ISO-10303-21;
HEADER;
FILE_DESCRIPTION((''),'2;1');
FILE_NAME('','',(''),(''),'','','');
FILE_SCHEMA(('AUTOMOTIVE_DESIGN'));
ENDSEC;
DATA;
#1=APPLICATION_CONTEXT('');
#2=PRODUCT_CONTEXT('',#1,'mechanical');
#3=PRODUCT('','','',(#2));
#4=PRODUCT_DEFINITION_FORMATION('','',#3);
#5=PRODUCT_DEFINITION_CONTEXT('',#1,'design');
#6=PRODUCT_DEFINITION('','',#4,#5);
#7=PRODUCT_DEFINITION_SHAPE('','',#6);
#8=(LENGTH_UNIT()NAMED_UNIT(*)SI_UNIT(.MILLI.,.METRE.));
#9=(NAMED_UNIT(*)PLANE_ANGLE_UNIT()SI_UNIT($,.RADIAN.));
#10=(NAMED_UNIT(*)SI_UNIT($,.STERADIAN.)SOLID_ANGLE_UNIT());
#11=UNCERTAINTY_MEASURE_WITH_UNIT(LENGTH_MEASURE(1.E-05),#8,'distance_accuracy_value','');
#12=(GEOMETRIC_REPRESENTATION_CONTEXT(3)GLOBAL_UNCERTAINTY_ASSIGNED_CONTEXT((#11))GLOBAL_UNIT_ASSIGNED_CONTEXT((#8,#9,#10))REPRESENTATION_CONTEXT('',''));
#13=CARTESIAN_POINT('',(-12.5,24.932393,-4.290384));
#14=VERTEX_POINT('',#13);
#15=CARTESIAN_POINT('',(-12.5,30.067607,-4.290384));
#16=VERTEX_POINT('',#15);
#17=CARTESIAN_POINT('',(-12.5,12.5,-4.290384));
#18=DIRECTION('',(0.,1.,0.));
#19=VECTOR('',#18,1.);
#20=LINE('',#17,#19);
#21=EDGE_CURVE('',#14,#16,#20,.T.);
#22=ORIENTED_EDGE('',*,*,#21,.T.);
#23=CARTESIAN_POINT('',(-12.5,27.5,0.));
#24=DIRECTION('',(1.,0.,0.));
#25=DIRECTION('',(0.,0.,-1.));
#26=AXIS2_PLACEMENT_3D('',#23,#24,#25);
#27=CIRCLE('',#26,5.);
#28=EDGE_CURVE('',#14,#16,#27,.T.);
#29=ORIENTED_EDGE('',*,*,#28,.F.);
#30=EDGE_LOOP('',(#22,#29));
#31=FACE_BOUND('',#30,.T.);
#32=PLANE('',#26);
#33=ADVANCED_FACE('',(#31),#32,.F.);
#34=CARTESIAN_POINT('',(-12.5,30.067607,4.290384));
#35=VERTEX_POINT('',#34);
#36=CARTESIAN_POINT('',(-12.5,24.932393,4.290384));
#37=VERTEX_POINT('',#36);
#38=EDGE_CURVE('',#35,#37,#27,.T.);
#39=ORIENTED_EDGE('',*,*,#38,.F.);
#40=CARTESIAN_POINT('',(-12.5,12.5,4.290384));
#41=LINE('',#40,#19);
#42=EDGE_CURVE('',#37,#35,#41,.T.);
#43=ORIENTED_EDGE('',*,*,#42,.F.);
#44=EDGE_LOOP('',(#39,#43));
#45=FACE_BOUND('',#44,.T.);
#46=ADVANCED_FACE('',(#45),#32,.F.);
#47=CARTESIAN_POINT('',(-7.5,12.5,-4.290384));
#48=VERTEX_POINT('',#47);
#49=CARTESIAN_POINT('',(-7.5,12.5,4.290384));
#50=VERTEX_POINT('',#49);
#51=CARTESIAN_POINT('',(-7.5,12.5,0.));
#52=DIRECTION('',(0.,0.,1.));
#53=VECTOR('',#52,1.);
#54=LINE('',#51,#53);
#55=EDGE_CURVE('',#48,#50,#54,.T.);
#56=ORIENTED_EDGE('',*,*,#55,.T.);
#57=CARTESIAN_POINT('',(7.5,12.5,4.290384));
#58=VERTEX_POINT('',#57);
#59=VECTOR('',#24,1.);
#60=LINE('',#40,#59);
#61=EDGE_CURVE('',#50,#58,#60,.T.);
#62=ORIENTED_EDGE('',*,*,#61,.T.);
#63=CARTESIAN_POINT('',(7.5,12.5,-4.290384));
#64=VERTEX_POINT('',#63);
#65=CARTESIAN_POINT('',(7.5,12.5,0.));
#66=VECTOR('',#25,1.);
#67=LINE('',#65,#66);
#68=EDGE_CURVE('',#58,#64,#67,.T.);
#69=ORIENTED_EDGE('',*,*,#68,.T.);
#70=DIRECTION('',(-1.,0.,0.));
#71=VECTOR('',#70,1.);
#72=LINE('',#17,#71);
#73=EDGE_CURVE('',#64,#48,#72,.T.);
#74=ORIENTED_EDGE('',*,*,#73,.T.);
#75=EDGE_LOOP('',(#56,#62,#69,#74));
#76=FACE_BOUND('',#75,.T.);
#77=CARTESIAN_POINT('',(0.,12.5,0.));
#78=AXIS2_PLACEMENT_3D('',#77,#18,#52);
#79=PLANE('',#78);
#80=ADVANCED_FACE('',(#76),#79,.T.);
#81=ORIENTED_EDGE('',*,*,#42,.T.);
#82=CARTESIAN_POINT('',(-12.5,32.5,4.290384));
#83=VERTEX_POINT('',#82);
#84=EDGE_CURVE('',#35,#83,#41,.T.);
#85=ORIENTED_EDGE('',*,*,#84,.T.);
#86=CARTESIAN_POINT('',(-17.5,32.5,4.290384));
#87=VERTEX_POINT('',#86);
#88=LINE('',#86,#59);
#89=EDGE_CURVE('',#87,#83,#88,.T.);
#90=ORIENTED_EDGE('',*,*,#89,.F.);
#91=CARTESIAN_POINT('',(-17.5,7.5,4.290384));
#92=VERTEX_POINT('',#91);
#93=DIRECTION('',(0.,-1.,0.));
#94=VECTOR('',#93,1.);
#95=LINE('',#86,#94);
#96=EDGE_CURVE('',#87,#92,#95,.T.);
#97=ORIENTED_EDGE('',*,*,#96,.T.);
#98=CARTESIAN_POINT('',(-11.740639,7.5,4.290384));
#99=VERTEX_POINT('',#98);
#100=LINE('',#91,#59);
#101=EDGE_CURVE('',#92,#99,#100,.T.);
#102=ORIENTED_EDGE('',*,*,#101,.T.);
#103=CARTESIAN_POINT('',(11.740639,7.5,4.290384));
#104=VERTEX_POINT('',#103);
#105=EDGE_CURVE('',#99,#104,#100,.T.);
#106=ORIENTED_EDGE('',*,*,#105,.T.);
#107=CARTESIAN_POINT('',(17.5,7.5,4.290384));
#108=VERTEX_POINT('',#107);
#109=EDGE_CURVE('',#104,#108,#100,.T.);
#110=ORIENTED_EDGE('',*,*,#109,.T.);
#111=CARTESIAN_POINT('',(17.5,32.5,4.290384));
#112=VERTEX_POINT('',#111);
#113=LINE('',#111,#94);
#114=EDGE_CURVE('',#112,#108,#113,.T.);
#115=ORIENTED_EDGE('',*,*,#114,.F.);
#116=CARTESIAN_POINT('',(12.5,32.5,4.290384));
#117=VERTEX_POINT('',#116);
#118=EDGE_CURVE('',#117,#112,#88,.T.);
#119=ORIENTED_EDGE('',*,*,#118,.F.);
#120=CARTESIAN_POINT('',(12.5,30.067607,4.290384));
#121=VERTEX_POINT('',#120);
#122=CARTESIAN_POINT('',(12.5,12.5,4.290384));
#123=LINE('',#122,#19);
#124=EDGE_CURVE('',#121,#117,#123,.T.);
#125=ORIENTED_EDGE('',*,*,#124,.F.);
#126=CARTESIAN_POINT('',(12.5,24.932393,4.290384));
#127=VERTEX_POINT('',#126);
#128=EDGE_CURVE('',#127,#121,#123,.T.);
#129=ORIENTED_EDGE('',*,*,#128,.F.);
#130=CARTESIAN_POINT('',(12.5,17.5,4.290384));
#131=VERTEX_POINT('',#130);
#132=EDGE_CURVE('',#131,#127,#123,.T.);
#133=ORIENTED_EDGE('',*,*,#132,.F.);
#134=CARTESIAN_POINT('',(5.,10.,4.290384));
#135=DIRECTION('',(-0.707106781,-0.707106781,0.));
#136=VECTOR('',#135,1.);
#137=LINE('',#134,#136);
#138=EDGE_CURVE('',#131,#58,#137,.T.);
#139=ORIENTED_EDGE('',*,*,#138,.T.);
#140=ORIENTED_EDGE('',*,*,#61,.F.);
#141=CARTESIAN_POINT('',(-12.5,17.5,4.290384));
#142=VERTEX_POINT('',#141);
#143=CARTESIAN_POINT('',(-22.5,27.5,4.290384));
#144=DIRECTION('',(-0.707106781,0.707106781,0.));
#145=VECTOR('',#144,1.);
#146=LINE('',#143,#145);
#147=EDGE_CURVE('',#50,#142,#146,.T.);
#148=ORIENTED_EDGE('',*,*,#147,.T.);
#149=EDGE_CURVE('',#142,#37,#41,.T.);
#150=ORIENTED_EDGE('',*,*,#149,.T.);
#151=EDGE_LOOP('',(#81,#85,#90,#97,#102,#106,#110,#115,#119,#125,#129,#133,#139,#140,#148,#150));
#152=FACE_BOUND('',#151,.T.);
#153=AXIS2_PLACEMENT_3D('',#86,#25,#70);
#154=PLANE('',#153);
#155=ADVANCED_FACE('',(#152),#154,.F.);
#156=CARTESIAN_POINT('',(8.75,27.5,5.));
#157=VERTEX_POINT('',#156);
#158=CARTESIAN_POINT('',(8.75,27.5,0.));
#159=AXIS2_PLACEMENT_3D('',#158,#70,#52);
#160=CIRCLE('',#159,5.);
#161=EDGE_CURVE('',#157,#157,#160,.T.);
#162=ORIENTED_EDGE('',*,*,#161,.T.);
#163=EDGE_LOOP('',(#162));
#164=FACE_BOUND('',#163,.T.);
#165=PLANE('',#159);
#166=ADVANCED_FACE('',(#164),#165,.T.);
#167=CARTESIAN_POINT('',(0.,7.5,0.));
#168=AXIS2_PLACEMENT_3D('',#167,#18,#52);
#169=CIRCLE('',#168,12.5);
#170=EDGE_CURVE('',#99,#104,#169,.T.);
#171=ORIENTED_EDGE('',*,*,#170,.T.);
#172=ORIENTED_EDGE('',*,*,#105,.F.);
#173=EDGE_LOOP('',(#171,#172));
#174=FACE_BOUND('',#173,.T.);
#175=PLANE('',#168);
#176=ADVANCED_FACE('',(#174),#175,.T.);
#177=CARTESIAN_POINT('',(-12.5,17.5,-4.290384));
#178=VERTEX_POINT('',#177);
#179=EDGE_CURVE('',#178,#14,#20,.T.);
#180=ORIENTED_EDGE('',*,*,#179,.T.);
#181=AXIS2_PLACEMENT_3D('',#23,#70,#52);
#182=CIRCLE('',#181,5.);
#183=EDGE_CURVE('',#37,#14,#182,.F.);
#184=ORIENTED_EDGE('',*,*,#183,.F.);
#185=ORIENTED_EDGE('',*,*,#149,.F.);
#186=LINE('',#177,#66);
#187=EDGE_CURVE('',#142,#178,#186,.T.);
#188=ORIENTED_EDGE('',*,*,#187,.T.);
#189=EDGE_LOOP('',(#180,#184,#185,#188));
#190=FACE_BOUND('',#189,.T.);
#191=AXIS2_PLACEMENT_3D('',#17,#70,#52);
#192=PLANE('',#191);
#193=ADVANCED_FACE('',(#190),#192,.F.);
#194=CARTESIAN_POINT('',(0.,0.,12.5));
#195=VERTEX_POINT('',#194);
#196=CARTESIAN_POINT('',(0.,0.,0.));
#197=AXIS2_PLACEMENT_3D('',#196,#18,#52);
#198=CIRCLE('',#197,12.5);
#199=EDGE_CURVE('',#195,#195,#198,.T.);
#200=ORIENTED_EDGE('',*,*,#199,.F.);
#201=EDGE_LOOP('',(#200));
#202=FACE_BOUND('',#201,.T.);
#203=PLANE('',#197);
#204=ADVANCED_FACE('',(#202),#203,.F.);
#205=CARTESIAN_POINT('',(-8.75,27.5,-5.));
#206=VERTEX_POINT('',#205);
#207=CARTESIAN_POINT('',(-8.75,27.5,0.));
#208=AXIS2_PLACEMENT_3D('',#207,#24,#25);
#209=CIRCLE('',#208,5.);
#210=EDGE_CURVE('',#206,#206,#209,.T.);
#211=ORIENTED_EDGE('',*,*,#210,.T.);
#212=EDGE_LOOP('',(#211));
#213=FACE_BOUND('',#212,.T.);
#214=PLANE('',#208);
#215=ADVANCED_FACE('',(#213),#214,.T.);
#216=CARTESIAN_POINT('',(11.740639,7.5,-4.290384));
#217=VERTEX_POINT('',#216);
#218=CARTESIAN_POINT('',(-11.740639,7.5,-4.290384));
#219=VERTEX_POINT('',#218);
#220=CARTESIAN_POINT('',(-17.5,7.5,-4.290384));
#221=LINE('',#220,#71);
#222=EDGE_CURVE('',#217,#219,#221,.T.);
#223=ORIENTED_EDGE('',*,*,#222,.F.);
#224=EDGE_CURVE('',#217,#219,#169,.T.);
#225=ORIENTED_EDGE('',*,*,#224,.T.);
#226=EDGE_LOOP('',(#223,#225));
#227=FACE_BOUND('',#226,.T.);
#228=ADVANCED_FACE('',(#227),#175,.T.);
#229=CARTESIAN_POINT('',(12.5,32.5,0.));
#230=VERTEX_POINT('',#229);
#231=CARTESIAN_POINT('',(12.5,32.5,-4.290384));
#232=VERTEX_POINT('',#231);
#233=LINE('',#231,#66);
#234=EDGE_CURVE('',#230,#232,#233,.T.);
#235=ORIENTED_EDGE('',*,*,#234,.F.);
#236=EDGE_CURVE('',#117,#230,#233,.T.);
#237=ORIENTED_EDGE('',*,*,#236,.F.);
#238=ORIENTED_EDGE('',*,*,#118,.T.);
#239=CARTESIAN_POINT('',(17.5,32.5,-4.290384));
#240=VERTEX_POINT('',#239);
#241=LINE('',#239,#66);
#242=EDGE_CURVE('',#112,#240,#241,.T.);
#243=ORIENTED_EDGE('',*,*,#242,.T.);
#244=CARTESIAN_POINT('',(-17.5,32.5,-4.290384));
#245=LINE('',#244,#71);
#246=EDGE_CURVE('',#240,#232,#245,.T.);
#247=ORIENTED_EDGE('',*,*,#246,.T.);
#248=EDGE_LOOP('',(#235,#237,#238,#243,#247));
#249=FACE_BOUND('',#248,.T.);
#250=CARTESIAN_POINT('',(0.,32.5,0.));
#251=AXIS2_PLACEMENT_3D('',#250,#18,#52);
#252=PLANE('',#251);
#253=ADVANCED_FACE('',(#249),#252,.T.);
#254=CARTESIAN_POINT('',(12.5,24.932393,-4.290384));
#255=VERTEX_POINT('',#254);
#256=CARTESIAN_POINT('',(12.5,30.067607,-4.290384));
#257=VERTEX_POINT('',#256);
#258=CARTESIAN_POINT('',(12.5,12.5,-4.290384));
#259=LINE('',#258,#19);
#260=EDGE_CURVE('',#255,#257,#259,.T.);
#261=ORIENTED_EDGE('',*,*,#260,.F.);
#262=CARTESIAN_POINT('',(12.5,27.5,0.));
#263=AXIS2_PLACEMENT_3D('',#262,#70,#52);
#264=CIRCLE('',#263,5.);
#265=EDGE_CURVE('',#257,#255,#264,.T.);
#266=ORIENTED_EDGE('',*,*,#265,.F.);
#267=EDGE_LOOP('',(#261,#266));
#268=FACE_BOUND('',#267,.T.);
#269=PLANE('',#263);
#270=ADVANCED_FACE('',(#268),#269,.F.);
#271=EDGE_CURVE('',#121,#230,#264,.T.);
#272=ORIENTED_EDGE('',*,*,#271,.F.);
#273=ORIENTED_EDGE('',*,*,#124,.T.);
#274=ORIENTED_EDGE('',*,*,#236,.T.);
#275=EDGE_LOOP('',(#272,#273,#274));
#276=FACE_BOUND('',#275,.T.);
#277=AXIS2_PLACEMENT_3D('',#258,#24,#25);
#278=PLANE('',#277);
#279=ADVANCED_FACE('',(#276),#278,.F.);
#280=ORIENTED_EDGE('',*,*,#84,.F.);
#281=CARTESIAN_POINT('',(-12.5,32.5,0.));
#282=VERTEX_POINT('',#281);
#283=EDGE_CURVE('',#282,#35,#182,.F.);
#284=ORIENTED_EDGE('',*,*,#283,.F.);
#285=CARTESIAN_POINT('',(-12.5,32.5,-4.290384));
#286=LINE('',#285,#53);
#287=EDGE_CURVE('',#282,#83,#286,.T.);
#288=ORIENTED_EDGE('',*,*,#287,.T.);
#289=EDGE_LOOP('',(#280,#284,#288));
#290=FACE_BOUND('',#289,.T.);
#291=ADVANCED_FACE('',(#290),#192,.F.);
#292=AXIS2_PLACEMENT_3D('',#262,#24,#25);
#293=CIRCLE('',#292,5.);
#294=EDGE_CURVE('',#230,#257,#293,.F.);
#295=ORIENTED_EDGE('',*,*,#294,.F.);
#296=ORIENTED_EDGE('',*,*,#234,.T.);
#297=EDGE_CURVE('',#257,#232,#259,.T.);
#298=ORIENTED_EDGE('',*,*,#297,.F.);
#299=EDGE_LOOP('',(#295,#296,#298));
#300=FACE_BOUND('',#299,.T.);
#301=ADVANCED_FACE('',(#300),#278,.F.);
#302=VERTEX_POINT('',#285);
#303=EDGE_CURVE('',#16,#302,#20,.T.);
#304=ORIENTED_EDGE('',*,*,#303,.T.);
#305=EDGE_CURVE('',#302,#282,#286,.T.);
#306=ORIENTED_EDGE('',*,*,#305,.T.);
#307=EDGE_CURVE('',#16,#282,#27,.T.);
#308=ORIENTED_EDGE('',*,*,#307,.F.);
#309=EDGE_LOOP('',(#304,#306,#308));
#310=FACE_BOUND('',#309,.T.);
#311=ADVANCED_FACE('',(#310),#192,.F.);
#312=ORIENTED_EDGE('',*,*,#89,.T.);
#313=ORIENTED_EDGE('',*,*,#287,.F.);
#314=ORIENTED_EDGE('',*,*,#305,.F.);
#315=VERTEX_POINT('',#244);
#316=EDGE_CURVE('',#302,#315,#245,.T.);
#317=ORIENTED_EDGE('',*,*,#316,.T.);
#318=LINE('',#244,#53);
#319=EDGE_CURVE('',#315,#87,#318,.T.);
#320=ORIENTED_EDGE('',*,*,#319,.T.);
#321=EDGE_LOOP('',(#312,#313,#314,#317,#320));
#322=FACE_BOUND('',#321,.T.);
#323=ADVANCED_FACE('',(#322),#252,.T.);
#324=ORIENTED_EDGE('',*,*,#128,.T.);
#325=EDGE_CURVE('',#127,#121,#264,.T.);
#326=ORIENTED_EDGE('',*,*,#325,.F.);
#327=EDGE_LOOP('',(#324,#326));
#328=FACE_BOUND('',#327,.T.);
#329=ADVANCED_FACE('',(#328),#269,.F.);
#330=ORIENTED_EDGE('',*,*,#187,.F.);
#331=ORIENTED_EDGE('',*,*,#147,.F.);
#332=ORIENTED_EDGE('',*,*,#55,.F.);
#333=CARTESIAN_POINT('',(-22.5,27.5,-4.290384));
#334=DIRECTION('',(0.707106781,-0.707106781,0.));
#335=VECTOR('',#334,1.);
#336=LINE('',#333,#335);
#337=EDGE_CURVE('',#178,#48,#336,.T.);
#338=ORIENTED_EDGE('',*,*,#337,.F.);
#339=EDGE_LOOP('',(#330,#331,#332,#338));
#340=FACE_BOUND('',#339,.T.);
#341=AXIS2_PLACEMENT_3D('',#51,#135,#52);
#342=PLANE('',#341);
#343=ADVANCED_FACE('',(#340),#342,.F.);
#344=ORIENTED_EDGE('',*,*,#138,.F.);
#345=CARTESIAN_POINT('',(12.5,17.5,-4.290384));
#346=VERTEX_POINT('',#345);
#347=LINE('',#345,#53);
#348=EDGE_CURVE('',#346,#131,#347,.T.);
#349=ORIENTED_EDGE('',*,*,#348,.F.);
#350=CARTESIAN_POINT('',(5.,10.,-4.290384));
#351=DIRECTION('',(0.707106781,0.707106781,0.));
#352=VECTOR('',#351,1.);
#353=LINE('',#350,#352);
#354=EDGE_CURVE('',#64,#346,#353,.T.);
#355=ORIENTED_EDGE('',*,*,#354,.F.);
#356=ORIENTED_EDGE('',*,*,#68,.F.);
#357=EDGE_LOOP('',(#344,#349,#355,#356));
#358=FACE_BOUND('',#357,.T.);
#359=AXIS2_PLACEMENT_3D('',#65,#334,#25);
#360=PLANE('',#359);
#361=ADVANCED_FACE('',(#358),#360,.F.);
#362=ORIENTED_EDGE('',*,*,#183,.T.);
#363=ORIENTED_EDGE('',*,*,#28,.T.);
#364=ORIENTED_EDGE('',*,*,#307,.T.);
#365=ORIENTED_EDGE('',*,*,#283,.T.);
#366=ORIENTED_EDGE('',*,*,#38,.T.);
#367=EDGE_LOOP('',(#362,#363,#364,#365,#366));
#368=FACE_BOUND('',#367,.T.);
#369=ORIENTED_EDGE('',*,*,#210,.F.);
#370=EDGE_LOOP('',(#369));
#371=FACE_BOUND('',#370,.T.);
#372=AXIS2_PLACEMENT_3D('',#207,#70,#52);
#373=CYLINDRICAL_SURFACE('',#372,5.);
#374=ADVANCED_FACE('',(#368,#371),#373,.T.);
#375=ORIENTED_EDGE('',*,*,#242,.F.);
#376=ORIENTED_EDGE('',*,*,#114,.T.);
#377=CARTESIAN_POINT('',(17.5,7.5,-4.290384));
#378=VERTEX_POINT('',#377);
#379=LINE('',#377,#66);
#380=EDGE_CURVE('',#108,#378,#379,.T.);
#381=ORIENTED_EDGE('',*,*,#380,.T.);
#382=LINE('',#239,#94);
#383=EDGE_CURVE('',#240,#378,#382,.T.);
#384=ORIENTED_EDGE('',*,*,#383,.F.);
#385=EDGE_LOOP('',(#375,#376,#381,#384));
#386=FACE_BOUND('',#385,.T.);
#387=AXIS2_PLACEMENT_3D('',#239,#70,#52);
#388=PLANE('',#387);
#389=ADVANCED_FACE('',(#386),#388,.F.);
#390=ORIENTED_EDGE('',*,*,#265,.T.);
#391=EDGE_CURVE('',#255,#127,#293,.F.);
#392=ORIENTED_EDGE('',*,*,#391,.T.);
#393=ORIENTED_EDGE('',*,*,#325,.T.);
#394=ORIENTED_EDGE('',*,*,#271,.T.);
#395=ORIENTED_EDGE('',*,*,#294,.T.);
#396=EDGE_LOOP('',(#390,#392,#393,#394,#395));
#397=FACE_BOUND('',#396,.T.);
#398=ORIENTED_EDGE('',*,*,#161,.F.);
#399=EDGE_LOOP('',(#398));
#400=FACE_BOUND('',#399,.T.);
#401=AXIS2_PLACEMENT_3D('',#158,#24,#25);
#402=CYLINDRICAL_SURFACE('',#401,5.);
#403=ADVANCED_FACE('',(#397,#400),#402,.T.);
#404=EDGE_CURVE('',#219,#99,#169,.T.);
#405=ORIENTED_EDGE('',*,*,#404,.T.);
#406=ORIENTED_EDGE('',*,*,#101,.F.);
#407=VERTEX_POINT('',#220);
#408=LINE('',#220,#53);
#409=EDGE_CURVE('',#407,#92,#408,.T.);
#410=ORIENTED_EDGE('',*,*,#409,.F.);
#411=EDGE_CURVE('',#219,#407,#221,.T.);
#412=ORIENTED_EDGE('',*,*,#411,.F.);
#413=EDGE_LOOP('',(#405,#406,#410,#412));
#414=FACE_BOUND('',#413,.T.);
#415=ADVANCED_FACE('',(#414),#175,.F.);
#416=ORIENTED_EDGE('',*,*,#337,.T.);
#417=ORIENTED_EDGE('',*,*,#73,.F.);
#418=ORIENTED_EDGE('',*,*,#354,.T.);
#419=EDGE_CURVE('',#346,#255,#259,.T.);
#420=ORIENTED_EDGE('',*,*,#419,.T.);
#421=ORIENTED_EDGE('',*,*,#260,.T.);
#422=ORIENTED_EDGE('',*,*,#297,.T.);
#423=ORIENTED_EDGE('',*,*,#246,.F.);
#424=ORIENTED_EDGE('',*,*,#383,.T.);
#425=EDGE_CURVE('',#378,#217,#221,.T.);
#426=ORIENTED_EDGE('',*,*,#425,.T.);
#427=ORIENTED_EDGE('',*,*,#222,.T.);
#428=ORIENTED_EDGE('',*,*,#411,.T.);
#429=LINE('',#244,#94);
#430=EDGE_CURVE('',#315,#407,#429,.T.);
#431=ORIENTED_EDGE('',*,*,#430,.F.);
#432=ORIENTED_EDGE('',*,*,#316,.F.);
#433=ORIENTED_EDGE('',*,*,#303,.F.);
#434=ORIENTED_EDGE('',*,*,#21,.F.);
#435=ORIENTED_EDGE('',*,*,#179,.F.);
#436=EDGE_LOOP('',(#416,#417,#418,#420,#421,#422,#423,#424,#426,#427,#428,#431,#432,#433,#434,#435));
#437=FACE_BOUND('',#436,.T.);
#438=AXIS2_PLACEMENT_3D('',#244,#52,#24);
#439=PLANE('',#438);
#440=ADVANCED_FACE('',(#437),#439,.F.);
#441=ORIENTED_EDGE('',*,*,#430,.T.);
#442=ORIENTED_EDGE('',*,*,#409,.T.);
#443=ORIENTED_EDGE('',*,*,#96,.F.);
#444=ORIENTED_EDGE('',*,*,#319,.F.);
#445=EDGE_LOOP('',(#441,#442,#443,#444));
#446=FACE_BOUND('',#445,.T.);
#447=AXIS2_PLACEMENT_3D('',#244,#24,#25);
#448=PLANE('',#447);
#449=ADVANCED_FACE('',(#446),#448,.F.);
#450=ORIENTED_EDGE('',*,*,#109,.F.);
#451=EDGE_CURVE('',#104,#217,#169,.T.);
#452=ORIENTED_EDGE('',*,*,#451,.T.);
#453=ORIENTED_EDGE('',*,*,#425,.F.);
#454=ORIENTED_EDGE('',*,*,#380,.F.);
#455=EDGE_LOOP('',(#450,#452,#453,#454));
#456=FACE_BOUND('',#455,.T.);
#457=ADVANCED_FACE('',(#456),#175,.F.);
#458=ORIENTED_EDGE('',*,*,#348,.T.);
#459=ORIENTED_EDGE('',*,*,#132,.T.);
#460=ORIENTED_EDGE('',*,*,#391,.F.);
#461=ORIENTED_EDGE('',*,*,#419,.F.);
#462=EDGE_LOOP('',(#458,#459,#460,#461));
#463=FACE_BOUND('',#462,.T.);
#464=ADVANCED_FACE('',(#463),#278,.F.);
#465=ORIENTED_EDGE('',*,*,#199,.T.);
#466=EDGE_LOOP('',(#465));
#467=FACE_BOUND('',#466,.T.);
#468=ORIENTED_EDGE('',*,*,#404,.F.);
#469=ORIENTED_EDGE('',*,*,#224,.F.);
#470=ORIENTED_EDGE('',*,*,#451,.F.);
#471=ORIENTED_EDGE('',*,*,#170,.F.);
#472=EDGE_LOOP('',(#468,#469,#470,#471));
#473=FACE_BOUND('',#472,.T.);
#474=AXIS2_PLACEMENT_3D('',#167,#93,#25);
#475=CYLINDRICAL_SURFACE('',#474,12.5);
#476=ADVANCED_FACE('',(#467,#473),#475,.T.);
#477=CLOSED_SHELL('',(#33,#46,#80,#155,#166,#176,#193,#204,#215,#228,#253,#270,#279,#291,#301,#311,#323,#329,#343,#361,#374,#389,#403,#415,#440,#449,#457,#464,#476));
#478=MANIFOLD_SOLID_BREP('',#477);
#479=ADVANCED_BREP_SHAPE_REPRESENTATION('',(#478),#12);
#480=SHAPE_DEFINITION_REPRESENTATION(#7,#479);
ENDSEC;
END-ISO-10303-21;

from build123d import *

# Parameters (mm, degrees)
SKETCH1_R           = 12.5
BOSS_EXTRUDE1_DEPTH = 7.5
SKETCH2_W           = 35
SKETCH2_H           = 8.580767914
BOSS_EXTRUDE2_DEPTH = 25
SKETCH3_W           = 25
SKETCH3_H           = 8.580767914
CUT_EXTRUDE1_DEPTH  = 20
SKETCH4_R           = 5
BOSS_EXTRUDE3_DEPTH = 3.75
SKETCH5_R           = 5
BOSS_EXTRUDE4_DEPTH = 3.75
CHAMFER1_SIZE       = 5
CHAMFER2_SIZE       = 5


with BuildPart() as part:
    # Sketch1 → Boss-Extrude1 (new body)
    with BuildSketch(Plane(origin=(0, 0, 0), x_dir=(1, 0, 0), z_dir=(0, 1, 0))):
        Circle(SKETCH1_R)
    extrude(amount=BOSS_EXTRUDE1_DEPTH)

    # Sketch2 → Boss-Extrude2 (add)
    with BuildSketch(Plane(origin=(0, 7.5, 0), x_dir=(1, 0, 0), z_dir=(0, 1, 0))):
        Rectangle(SKETCH2_W, SKETCH2_H)
    extrude(amount=BOSS_EXTRUDE2_DEPTH)

    # Sketch3 → Cut-Extrude1 (cut)
    with BuildSketch(Plane(origin=(0, 32.5, 0), x_dir=(1, 0, 0), z_dir=(0, 1, 0))):
        Rectangle(SKETCH3_W, SKETCH3_H)
    extrude(amount=-CUT_EXTRUDE1_DEPTH, mode=Mode.SUBTRACT)

    # Sketch4 → Boss-Extrude3 (add)
    with BuildSketch(Plane(origin=(-12.5, 0, 0), x_dir=(0, 0, -1), z_dir=(1, 0, 0))):
        with Locations((0, 27.5)):
            Circle(SKETCH4_R)
    extrude(amount=BOSS_EXTRUDE3_DEPTH)

    # Sketch5 → Boss-Extrude4 (add)
    with BuildSketch(Plane.ZY.offset(-12.5)):
        with Locations((0, 27.5)):
            Circle(SKETCH5_R)
    extrude(amount=BOSS_EXTRUDE4_DEPTH)

    # Chamfer1
    chamfer1_edges = [part.edges().sort_by_distance(p)[0] for p in [
        (-12.5, 12.5, 0),
    ]]
    chamfer(chamfer1_edges, length=CHAMFER1_SIZE)

    # Chamfer2
    chamfer2_edges = [part.edges().sort_by_distance(p)[0] for p in [
        (12.5, 12.5, 0),
    ]]
    chamfer(chamfer2_edges, length=CHAMFER2_SIZE)


solid = part.part
